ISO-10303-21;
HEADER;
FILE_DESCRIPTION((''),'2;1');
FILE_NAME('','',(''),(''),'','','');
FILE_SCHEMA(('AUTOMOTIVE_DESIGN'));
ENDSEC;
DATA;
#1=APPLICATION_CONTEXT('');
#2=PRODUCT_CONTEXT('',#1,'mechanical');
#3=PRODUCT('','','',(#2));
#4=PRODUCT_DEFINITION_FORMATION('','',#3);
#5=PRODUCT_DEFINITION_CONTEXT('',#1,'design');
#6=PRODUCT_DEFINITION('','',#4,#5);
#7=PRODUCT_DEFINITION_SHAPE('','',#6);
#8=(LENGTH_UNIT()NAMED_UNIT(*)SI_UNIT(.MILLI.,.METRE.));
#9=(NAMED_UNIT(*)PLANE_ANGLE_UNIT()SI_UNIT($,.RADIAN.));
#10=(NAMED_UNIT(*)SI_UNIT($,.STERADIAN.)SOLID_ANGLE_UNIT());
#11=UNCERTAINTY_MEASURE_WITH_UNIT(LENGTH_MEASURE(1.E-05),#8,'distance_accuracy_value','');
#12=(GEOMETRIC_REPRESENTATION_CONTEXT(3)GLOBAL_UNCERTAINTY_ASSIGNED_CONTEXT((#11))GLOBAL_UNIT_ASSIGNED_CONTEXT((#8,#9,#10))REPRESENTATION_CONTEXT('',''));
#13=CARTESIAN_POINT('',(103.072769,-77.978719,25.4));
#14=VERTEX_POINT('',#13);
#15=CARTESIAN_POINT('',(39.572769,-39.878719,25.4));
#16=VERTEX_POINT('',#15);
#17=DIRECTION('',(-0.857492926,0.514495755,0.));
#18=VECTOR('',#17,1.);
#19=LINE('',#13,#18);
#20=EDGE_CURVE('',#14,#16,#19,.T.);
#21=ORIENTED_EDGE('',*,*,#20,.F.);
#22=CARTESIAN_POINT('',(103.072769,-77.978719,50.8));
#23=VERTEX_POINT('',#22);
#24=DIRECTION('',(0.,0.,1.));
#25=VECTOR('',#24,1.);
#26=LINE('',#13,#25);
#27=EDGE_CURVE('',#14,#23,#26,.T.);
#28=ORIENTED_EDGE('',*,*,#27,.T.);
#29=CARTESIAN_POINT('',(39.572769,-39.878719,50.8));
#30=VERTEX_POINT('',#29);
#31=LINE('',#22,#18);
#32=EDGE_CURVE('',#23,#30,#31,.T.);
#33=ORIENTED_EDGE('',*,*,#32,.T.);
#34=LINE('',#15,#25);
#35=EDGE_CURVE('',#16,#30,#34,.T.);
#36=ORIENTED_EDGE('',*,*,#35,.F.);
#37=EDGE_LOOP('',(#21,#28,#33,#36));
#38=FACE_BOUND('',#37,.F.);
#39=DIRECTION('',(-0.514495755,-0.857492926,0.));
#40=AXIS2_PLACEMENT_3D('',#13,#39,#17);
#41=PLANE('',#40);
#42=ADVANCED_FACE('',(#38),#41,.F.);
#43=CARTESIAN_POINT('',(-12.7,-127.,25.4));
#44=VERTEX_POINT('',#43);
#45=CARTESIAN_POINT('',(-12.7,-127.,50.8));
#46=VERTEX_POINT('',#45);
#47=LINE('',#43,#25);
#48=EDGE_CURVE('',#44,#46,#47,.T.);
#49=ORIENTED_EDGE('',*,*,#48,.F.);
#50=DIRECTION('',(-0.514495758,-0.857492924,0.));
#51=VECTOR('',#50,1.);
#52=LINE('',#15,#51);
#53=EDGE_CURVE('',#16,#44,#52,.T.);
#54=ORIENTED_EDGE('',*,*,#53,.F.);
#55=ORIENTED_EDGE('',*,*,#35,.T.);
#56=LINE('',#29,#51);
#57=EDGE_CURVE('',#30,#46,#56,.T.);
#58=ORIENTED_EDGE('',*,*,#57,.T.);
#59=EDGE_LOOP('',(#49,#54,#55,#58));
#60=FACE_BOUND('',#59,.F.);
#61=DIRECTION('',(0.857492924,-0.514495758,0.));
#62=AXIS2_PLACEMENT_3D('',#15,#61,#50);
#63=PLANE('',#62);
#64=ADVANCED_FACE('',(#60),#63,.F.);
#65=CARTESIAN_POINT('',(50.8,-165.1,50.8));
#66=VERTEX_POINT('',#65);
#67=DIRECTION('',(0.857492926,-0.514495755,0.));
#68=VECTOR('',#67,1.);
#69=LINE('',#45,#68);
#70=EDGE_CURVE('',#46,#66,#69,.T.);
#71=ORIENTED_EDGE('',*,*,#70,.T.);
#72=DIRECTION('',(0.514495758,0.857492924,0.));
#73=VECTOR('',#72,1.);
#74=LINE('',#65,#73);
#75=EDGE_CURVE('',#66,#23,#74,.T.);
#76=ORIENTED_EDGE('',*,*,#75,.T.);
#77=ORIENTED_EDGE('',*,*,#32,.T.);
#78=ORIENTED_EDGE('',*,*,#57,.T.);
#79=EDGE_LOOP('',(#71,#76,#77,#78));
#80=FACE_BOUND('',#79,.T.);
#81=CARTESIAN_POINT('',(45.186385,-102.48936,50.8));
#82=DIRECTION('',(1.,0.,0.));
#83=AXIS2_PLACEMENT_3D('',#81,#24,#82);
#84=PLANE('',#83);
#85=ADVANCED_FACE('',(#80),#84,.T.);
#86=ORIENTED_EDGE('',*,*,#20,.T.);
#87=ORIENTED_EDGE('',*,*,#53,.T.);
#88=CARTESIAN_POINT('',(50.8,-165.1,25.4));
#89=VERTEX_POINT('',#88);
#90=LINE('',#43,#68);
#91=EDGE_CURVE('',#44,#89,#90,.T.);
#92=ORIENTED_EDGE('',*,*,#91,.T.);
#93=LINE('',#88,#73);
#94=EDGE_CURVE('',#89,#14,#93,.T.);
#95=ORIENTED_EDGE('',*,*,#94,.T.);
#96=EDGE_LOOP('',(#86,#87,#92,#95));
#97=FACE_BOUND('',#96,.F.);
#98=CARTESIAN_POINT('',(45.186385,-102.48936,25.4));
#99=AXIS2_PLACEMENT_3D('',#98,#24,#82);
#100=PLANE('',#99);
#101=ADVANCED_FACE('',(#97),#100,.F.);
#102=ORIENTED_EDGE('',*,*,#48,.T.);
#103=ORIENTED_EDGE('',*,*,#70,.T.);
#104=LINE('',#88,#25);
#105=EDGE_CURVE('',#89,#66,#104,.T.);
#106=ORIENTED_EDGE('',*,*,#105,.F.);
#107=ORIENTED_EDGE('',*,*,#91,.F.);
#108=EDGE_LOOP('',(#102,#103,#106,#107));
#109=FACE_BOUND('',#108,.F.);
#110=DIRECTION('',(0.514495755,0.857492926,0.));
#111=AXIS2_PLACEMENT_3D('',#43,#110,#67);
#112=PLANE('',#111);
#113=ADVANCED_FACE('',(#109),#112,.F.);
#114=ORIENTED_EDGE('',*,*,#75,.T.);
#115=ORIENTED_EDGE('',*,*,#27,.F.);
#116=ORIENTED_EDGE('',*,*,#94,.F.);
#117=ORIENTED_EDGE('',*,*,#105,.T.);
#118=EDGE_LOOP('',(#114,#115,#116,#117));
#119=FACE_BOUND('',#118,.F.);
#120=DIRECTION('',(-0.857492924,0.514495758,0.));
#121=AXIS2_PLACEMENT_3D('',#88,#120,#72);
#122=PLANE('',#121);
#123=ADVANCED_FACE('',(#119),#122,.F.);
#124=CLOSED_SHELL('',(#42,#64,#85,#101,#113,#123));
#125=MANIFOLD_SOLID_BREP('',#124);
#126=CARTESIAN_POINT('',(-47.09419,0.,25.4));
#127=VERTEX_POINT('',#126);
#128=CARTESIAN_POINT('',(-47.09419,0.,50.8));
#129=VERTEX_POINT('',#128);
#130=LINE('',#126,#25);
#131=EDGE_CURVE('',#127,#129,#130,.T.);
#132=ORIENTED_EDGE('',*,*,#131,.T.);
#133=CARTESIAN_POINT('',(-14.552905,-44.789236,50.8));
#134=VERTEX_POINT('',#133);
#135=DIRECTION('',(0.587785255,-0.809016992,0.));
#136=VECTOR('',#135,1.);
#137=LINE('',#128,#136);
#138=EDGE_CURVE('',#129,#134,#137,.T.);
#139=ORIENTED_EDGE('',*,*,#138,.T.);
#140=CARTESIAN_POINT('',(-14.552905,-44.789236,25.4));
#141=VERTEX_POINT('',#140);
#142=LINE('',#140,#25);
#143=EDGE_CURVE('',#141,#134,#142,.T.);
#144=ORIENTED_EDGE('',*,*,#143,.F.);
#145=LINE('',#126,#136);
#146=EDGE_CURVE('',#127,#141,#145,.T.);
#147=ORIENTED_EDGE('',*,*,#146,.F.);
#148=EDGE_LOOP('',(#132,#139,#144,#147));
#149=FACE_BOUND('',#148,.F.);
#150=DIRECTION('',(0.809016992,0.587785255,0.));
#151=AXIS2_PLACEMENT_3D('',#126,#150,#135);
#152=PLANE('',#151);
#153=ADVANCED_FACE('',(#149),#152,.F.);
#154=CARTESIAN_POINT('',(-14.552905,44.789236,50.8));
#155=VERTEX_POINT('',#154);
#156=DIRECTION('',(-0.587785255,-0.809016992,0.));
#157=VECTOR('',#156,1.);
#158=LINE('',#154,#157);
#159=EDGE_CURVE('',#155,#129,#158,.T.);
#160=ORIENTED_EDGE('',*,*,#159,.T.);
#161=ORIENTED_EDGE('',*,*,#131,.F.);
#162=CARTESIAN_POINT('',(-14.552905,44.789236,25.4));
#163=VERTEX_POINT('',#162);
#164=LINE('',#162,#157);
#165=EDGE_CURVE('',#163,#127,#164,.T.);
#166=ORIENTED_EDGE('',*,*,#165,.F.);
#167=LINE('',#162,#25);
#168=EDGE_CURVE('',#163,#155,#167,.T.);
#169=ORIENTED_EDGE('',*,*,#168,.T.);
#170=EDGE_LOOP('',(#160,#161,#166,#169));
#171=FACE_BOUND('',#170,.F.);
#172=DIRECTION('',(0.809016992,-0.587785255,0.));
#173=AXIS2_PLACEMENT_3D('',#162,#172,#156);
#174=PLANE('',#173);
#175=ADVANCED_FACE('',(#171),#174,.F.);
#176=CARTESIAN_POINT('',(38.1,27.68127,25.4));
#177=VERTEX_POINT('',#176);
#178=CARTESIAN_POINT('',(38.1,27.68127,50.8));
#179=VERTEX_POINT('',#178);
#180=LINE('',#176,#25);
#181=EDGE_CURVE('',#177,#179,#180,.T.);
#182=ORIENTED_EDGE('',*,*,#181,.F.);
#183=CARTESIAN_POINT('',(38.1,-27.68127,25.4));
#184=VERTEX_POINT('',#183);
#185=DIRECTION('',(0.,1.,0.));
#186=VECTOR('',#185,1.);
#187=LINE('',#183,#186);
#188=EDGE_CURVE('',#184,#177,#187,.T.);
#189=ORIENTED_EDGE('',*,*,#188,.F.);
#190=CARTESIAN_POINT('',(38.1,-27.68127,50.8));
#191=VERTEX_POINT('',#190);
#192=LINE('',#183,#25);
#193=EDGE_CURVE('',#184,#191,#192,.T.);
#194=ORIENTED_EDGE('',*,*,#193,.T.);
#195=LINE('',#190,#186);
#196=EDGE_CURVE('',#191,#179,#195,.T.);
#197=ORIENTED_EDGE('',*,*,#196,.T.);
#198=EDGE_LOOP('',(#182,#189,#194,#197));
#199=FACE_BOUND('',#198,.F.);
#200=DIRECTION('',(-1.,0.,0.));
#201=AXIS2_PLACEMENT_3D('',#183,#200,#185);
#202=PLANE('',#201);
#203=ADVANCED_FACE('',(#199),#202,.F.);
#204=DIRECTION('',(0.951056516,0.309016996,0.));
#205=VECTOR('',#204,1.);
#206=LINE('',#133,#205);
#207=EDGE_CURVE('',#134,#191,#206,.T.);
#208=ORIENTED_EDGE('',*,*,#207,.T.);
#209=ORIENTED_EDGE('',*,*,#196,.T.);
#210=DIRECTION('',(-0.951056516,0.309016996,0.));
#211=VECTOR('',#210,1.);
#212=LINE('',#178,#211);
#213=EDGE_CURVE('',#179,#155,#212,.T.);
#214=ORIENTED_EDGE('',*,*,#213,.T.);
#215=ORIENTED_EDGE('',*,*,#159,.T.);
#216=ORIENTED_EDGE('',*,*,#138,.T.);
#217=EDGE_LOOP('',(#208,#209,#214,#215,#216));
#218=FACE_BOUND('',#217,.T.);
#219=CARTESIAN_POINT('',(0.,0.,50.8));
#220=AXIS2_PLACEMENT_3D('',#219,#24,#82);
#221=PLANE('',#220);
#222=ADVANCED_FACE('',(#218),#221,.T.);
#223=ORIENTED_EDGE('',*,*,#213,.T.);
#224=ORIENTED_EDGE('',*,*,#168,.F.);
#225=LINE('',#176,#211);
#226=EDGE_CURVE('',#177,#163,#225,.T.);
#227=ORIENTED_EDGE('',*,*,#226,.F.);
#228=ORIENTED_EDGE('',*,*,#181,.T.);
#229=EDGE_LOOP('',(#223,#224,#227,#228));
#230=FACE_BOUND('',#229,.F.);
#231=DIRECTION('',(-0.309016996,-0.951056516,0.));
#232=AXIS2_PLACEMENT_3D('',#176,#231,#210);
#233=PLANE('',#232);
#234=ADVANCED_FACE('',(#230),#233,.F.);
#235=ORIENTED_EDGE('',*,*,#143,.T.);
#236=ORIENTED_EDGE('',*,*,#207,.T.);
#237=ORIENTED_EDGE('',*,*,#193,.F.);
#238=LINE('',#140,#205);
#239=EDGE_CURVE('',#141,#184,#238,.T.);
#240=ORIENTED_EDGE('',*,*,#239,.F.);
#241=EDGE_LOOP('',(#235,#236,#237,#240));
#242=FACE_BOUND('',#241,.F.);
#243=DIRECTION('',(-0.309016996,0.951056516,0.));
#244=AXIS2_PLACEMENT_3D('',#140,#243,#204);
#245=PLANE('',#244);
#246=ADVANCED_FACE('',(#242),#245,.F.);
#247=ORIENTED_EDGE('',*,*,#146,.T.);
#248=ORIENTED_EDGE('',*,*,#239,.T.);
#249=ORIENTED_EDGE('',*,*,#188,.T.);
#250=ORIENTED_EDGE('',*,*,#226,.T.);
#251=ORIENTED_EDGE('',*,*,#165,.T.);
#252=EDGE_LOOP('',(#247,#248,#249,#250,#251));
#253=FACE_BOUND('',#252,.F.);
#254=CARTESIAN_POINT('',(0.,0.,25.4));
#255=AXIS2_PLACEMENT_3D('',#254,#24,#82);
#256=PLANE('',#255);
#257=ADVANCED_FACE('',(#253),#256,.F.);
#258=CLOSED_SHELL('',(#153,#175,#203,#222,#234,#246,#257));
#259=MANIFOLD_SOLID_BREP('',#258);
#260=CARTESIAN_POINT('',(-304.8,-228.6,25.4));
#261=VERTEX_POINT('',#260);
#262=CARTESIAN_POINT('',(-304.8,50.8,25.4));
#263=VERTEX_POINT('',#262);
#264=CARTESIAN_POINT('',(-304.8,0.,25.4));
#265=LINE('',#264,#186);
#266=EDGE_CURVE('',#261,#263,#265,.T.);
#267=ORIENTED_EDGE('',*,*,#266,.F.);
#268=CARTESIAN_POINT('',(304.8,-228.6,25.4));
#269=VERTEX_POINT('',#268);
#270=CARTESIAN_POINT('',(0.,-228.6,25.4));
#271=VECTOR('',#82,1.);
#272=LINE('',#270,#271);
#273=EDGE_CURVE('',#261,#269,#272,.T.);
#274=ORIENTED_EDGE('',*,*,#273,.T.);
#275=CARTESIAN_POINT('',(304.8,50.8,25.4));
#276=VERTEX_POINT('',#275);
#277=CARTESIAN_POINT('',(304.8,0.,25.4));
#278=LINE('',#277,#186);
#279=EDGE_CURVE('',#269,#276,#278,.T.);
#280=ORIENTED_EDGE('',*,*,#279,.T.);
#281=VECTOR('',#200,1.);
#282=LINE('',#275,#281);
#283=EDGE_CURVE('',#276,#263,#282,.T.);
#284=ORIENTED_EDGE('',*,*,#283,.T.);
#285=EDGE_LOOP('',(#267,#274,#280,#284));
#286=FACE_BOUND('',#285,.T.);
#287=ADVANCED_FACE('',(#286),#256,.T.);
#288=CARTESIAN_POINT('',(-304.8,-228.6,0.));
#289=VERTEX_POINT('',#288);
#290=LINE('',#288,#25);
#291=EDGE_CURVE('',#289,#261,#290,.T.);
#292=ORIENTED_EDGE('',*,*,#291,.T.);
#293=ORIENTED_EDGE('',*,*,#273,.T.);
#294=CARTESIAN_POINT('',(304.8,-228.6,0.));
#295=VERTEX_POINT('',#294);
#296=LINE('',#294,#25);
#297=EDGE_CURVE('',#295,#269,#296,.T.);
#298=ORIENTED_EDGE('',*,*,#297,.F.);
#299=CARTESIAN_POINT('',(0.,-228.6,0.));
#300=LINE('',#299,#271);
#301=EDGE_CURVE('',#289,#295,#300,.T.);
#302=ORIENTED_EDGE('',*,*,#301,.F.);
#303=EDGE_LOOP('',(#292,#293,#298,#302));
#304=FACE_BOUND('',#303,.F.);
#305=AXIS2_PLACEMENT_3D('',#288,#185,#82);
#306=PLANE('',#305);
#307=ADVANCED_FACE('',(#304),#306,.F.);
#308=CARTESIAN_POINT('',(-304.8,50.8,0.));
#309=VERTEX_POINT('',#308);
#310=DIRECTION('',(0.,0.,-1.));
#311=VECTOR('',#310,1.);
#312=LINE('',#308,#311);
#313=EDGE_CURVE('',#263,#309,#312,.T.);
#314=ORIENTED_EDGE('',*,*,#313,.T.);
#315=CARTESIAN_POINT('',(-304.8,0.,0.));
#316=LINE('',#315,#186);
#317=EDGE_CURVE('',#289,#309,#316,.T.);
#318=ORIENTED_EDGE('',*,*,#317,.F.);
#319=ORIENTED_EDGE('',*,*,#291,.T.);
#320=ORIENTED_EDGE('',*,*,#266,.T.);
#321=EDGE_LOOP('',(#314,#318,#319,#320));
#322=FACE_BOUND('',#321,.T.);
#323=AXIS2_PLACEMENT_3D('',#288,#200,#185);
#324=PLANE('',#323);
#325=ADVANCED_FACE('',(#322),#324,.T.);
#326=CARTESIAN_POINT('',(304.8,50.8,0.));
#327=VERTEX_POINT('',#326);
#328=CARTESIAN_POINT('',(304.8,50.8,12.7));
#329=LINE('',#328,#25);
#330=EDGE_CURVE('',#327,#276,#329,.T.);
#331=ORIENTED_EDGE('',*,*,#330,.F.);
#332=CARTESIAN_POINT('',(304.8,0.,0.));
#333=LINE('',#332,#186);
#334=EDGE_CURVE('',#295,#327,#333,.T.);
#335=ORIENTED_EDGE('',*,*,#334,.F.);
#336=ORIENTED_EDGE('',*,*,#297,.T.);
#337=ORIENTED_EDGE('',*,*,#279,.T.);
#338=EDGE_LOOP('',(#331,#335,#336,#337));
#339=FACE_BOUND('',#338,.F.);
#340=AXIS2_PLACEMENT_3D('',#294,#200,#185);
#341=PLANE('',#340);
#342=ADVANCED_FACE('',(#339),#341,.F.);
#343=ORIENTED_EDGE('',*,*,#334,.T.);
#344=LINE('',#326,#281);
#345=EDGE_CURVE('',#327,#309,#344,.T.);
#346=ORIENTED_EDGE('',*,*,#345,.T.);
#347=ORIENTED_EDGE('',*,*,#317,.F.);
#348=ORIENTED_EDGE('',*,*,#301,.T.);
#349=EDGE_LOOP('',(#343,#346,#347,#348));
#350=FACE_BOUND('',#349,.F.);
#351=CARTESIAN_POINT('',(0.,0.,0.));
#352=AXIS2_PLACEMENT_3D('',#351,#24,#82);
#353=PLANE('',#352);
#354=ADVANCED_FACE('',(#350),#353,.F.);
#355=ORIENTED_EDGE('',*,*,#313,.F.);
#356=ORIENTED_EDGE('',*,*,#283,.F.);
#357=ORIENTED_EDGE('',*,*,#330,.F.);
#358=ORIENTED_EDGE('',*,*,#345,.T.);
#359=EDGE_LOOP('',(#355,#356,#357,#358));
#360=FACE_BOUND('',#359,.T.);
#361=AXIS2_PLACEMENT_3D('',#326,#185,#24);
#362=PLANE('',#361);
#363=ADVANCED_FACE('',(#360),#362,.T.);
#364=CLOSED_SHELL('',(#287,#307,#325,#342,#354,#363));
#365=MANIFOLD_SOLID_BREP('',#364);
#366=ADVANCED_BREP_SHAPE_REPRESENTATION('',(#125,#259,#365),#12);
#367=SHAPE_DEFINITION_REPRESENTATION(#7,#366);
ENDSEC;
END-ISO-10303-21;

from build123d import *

# Parameters (mm, degrees)
F0_W     = 609.6
F0_H     = 457.2
F1_DEPTH = 25.4
F3_DEPTH = 25.4
F4_W     = 177.8
F4_H     = 25.4
F5_DEPTH = 609.601


with BuildPart() as f1:
    # F0 (on Top) → F1 (new body)
    with BuildSketch(Plane.XY):
        Rectangle(F0_W, F0_H)
    extrude(amount=F1_DEPTH)

    # F4 (on face) → F5 (cut, through all)
    with BuildSketch(Plane.YZ.offset(304.8)):
        with Locations((139.7, 12.7)):
            Rectangle(F4_W, F4_H)
    extrude(amount=-F5_DEPTH, mode=Mode.SUBTRACT)


with BuildPart() as f3:
    # F2 (on face) → F3 (new body)
    with BuildSketch(Plane.XY.offset(25.4)):
        Polygon((-12.7, -127), (50.8, -165.1), (103.072769, -77.978719), (39.572769, -39.878719), align=None)
        Polygon((38.1, -27.68127), (38.1, 27.68127), (-14.552905, 44.789236), (-47.09419, 0), (-14.552905, -44.789236), align=None)
    extrude(amount=F3_DEPTH)


solid = Compound([f1.part, f3.part])
